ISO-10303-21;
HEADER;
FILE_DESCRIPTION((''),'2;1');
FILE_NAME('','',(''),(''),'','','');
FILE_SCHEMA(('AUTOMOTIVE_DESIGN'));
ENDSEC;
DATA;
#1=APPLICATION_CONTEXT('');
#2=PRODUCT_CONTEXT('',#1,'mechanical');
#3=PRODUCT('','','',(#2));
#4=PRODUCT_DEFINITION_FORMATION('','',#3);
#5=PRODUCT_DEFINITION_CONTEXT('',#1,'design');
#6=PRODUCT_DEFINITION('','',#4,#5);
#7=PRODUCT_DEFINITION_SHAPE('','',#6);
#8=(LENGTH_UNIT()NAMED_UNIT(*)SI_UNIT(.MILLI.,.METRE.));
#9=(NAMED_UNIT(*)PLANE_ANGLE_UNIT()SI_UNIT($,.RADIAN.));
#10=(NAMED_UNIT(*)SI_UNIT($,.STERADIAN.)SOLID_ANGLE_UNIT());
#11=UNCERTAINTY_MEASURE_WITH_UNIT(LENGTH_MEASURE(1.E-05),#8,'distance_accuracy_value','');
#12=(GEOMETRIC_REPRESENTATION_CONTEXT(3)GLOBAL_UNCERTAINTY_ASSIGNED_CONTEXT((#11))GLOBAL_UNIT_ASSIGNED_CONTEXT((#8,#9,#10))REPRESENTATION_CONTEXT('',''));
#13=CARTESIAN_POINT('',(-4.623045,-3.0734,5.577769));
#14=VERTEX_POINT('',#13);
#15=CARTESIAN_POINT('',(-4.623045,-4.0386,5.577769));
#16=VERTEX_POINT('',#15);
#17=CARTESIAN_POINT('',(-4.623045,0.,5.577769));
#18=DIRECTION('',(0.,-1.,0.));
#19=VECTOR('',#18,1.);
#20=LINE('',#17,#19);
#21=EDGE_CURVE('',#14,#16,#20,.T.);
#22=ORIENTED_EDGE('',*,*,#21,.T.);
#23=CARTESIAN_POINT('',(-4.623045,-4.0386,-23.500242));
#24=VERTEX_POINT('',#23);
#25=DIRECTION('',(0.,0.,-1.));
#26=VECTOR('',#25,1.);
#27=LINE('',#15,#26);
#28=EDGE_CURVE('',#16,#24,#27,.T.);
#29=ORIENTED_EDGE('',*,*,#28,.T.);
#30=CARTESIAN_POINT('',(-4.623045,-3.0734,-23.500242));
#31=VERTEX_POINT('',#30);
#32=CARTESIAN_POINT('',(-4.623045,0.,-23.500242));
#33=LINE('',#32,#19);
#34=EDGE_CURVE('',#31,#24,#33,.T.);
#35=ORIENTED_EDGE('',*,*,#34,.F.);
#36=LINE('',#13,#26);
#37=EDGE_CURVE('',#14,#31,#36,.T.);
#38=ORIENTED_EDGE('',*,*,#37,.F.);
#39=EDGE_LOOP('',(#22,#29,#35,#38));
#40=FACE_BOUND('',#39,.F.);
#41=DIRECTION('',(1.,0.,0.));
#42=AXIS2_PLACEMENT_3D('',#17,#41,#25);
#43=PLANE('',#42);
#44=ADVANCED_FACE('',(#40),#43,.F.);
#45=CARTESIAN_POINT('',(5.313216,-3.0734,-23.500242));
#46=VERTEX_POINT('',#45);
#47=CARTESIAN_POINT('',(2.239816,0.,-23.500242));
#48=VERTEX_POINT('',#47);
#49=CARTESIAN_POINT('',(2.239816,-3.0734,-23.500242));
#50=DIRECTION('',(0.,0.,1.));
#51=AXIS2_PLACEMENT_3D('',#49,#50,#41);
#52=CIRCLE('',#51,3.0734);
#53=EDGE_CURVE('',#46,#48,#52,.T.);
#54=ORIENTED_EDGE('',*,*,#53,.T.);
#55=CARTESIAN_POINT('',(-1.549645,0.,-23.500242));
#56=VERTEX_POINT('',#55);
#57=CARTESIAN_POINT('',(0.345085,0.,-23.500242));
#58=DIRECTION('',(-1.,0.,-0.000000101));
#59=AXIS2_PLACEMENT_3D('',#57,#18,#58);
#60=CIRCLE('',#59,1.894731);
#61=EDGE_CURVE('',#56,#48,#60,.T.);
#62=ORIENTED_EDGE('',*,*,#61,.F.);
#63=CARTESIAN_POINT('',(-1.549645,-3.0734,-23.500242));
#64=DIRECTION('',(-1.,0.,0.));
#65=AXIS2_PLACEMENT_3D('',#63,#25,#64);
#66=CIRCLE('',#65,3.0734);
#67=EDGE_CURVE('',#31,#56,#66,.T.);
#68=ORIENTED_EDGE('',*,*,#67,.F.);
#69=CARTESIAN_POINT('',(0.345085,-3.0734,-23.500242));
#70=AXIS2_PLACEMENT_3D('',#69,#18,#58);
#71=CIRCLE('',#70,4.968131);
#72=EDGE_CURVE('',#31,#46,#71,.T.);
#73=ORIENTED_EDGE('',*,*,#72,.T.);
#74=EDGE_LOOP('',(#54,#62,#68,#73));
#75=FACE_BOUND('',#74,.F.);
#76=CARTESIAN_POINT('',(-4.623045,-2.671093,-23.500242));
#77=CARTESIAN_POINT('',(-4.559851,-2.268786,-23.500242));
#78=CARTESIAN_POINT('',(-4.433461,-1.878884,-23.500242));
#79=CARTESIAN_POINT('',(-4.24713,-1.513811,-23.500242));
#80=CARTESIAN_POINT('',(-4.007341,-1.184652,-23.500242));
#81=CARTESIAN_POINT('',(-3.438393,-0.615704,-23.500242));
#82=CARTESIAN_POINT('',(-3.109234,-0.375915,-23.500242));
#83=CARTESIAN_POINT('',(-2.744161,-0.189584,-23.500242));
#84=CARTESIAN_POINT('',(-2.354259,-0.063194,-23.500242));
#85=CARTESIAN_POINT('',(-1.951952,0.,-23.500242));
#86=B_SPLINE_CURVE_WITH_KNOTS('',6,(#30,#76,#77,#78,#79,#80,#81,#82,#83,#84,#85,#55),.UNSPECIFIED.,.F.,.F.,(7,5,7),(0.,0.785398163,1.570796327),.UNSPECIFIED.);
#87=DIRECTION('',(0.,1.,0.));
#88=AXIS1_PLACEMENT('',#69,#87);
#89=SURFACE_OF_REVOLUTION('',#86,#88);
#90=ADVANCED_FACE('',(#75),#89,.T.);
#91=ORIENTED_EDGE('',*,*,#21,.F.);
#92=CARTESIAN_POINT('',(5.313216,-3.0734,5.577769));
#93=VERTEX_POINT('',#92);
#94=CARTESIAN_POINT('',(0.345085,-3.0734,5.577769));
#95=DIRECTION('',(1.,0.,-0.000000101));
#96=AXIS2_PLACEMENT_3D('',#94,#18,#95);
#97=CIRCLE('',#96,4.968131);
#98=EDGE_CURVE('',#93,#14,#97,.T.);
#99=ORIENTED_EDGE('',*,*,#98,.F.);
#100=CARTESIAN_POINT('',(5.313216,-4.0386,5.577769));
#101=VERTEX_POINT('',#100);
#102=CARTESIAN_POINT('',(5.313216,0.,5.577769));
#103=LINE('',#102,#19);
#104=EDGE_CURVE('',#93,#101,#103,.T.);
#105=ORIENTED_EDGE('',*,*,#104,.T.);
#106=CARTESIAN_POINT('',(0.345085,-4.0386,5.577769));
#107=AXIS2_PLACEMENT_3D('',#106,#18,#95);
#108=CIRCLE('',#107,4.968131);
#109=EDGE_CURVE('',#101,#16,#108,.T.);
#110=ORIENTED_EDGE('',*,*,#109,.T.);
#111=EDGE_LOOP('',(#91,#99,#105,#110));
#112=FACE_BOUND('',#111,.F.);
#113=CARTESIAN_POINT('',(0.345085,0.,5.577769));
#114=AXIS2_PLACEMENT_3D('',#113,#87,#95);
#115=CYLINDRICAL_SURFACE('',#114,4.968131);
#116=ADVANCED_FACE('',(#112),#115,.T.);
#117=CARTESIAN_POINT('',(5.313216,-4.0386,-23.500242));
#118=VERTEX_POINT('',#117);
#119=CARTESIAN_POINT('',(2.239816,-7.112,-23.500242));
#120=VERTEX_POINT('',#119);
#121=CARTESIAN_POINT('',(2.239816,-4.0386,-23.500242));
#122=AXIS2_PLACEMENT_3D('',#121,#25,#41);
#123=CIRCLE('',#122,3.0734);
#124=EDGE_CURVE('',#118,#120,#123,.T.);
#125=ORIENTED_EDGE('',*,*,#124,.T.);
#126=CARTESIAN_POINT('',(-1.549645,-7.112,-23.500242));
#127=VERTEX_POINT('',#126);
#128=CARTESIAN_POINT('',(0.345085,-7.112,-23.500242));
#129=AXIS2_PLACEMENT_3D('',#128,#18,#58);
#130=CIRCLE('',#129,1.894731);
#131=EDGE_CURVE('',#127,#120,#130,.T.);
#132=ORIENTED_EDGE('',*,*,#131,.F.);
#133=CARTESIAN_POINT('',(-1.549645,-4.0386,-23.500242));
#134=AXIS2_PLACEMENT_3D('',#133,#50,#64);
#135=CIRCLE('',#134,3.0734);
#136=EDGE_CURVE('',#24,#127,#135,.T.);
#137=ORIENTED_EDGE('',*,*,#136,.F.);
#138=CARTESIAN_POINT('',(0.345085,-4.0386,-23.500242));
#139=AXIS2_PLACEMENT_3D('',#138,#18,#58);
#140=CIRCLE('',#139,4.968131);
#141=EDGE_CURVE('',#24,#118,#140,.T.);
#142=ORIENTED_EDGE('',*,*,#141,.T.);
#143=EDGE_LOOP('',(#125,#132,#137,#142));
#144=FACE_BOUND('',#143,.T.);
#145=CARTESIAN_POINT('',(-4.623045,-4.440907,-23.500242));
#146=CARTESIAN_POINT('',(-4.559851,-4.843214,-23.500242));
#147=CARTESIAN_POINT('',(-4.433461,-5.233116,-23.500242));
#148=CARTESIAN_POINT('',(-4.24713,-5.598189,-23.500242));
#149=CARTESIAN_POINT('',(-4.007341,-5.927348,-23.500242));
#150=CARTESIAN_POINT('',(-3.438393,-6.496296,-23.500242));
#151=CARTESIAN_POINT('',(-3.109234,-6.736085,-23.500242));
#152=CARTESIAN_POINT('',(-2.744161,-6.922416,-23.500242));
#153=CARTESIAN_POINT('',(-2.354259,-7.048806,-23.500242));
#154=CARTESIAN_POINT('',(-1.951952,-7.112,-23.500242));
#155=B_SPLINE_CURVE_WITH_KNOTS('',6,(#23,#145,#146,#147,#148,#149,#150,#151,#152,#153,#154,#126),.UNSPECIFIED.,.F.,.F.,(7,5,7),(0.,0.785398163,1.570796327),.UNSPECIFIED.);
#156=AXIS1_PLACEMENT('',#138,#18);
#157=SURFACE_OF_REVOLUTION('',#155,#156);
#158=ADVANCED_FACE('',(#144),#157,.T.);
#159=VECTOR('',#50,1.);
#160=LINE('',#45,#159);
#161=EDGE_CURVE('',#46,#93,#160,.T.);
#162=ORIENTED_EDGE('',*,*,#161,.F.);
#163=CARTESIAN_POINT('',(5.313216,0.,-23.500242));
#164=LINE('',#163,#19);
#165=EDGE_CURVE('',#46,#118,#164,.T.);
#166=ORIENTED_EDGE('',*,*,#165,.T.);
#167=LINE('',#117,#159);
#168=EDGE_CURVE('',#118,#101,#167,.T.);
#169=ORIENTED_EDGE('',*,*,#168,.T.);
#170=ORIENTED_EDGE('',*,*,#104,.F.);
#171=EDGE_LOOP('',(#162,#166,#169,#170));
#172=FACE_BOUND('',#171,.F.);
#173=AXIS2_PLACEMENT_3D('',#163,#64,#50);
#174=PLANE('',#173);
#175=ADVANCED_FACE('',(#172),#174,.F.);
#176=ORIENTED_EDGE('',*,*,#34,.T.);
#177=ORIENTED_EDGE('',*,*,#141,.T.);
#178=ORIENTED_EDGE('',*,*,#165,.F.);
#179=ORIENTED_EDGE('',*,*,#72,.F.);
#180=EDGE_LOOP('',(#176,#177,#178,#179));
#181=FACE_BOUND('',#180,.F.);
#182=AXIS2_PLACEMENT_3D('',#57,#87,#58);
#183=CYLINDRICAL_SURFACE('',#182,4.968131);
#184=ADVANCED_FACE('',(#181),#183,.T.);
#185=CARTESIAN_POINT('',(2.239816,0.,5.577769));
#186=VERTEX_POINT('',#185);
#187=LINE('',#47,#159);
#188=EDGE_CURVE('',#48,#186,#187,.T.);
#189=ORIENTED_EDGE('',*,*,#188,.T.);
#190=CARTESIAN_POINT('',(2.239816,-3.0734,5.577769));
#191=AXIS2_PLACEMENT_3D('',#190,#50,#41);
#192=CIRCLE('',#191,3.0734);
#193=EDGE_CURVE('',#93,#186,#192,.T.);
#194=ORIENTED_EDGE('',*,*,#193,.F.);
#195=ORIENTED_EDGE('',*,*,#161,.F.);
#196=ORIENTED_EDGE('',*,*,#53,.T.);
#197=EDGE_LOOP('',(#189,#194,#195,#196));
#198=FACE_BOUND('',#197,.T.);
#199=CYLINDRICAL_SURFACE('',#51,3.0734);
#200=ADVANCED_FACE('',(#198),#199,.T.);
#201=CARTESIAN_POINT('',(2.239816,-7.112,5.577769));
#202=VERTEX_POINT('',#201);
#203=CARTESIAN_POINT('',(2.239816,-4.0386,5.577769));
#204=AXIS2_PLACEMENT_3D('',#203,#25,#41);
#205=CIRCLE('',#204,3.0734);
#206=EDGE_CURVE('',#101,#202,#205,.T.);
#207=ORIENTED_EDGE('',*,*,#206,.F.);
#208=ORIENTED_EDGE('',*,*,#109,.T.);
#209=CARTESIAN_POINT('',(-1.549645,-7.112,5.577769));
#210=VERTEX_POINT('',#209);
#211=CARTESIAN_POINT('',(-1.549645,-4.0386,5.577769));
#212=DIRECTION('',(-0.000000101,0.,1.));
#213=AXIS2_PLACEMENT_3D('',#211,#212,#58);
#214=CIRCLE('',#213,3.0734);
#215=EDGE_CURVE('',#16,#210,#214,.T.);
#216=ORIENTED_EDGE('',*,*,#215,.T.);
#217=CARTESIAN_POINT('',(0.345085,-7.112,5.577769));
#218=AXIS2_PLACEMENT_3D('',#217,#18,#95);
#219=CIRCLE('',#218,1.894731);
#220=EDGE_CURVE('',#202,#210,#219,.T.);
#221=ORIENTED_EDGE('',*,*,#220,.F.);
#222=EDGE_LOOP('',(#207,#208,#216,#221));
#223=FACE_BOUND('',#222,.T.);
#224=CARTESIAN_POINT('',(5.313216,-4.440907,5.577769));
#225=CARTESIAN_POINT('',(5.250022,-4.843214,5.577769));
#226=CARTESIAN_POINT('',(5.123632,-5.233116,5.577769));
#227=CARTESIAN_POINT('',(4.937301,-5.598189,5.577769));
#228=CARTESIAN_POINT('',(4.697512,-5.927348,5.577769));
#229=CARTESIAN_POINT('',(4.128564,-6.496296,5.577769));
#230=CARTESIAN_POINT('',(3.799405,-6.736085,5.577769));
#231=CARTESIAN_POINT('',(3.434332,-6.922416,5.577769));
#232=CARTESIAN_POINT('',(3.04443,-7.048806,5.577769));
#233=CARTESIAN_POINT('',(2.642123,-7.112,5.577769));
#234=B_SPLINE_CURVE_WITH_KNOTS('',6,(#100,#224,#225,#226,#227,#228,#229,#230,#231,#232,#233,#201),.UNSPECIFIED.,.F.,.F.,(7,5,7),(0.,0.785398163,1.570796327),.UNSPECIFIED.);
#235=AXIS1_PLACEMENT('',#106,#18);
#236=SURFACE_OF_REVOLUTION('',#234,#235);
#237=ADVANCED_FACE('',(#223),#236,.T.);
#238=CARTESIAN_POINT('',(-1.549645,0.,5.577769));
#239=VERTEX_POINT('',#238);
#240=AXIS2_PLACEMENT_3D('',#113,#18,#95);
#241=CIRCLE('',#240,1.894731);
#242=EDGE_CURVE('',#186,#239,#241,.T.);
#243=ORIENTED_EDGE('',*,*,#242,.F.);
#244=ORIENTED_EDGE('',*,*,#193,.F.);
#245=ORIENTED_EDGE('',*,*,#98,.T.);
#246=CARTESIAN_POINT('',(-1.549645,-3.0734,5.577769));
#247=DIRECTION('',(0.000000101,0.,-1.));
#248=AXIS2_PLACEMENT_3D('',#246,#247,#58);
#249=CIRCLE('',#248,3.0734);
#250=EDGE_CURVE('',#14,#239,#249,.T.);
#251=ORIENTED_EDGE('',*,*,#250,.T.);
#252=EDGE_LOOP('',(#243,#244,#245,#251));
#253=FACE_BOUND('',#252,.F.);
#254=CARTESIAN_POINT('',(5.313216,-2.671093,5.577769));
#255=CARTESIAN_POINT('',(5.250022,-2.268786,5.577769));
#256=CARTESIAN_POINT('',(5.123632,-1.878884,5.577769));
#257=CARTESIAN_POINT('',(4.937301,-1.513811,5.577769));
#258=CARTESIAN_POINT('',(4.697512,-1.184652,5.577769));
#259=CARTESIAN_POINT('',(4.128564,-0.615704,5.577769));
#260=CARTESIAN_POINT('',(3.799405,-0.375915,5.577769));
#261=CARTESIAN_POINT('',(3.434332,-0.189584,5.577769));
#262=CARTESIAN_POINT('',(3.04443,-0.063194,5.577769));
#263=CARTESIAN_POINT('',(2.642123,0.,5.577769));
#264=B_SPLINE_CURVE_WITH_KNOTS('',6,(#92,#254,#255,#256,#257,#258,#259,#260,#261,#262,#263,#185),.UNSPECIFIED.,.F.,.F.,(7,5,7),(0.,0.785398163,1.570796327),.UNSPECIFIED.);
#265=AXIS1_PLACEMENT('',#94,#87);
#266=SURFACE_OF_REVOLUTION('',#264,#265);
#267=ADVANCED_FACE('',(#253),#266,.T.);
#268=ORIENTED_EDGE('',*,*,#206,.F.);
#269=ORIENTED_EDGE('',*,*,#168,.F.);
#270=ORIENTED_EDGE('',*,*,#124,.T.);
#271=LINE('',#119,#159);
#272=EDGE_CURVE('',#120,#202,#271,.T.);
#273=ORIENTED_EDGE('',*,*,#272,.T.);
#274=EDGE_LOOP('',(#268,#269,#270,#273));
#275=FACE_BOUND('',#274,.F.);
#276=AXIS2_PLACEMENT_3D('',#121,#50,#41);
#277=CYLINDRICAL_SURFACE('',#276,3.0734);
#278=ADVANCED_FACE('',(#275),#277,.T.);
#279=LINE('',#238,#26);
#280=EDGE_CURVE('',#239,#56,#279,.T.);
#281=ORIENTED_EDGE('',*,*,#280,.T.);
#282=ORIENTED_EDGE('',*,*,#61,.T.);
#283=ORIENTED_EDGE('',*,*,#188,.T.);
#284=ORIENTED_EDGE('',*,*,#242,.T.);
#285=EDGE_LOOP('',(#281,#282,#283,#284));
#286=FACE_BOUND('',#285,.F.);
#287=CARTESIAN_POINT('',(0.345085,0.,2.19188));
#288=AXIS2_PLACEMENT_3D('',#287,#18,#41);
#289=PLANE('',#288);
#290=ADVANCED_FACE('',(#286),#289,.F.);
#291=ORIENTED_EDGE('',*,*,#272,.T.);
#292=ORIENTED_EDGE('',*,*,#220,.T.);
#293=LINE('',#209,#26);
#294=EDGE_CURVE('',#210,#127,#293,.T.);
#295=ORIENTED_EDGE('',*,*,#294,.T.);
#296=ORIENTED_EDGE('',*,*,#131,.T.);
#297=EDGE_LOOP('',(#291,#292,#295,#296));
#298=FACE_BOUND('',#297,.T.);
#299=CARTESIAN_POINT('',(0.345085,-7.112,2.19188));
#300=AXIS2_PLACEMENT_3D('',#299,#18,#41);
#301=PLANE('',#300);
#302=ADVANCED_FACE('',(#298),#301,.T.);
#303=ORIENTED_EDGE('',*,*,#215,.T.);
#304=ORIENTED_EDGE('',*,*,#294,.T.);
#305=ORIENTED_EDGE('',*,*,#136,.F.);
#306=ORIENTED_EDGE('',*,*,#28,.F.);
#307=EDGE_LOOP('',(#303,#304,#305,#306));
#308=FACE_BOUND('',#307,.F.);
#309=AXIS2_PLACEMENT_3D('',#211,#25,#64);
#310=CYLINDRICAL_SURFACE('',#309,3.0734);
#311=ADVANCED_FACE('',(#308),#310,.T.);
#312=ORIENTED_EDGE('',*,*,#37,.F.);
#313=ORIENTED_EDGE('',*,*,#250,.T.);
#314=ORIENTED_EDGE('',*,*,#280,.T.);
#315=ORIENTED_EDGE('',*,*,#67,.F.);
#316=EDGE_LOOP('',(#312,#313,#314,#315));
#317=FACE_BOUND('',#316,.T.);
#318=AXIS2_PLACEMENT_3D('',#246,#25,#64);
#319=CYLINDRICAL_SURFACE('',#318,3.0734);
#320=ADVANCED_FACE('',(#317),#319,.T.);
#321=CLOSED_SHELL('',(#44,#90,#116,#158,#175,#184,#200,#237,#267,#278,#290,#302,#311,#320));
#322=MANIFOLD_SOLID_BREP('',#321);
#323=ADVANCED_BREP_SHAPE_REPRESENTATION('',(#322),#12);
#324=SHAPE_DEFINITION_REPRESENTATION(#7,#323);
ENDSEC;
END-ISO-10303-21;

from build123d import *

# Parameters (mm, degrees)
F1_DEPTH = 7.112
F2_R     = 3.0734


with BuildPart() as f1:
    # F0 (on Front) → F1 (new body)
    with BuildSketch(Plane.XZ):
        with BuildLine():
            ThreePointArc((-4.623045, -4.602544), (0.345085, 0.365587), (5.313216, -4.602544))
            Line((5.313216, -4.602544), (5.313216, 5.577769))
            ThreePointArc((5.313216, 5.577769), (0.345085, 10.5459), (-4.623045, 5.577769))
            Line((-4.623045, 5.577769), (-4.623045, 2.380263))
            Line((-4.623045, 2.380263), (-4.623045, -4.602544))
        make_face()
        with BuildLine():
            ThreePointArc((-4.623045, -4.602544), (0.345085, -9.570675), (5.313216, -4.602544))
            Line((5.313216, -4.602544), (-4.623045, -4.602544))
        make_face()
        with BuildLine():
            Line((-4.623045, -4.602544), (5.313216, -4.602544))
            ThreePointArc((5.313216, -4.602544), (0.345085, 0.365587), (-4.623045, -4.602544))
        make_face()
        with BuildLine():
            ThreePointArc((-4.623045, -23.500242), (0.345085, -28.468372), (5.313216, -23.500242))
            Line((5.313216, -23.500242), (5.313216, -4.602544))
            ThreePointArc((5.313216, -4.602544), (0.345085, -9.570675), (-4.623045, -4.602544))
            Line((-4.623045, -4.602544), (-4.623045, -23.500242))
        make_face()
    extrude(amount=F1_DEPTH)

    # F2
    f2_edges = [f1.edges().sort_by_distance(p)[0] for p in [
        (5.313216, -7.112, -8.961236),
        (5.313216, 0, -8.961236),
        (0.345085, -7.112, 10.5459),
        (0.345085, 0, 10.5459),
        (0.345085, -7.112, -28.468372),
        (-4.623045, 0, -8.961236),
        (-4.623045, -7.112, -8.961236),
    ]]
    fillet(f2_edges, radius=F2_R)


solid = f1.part
